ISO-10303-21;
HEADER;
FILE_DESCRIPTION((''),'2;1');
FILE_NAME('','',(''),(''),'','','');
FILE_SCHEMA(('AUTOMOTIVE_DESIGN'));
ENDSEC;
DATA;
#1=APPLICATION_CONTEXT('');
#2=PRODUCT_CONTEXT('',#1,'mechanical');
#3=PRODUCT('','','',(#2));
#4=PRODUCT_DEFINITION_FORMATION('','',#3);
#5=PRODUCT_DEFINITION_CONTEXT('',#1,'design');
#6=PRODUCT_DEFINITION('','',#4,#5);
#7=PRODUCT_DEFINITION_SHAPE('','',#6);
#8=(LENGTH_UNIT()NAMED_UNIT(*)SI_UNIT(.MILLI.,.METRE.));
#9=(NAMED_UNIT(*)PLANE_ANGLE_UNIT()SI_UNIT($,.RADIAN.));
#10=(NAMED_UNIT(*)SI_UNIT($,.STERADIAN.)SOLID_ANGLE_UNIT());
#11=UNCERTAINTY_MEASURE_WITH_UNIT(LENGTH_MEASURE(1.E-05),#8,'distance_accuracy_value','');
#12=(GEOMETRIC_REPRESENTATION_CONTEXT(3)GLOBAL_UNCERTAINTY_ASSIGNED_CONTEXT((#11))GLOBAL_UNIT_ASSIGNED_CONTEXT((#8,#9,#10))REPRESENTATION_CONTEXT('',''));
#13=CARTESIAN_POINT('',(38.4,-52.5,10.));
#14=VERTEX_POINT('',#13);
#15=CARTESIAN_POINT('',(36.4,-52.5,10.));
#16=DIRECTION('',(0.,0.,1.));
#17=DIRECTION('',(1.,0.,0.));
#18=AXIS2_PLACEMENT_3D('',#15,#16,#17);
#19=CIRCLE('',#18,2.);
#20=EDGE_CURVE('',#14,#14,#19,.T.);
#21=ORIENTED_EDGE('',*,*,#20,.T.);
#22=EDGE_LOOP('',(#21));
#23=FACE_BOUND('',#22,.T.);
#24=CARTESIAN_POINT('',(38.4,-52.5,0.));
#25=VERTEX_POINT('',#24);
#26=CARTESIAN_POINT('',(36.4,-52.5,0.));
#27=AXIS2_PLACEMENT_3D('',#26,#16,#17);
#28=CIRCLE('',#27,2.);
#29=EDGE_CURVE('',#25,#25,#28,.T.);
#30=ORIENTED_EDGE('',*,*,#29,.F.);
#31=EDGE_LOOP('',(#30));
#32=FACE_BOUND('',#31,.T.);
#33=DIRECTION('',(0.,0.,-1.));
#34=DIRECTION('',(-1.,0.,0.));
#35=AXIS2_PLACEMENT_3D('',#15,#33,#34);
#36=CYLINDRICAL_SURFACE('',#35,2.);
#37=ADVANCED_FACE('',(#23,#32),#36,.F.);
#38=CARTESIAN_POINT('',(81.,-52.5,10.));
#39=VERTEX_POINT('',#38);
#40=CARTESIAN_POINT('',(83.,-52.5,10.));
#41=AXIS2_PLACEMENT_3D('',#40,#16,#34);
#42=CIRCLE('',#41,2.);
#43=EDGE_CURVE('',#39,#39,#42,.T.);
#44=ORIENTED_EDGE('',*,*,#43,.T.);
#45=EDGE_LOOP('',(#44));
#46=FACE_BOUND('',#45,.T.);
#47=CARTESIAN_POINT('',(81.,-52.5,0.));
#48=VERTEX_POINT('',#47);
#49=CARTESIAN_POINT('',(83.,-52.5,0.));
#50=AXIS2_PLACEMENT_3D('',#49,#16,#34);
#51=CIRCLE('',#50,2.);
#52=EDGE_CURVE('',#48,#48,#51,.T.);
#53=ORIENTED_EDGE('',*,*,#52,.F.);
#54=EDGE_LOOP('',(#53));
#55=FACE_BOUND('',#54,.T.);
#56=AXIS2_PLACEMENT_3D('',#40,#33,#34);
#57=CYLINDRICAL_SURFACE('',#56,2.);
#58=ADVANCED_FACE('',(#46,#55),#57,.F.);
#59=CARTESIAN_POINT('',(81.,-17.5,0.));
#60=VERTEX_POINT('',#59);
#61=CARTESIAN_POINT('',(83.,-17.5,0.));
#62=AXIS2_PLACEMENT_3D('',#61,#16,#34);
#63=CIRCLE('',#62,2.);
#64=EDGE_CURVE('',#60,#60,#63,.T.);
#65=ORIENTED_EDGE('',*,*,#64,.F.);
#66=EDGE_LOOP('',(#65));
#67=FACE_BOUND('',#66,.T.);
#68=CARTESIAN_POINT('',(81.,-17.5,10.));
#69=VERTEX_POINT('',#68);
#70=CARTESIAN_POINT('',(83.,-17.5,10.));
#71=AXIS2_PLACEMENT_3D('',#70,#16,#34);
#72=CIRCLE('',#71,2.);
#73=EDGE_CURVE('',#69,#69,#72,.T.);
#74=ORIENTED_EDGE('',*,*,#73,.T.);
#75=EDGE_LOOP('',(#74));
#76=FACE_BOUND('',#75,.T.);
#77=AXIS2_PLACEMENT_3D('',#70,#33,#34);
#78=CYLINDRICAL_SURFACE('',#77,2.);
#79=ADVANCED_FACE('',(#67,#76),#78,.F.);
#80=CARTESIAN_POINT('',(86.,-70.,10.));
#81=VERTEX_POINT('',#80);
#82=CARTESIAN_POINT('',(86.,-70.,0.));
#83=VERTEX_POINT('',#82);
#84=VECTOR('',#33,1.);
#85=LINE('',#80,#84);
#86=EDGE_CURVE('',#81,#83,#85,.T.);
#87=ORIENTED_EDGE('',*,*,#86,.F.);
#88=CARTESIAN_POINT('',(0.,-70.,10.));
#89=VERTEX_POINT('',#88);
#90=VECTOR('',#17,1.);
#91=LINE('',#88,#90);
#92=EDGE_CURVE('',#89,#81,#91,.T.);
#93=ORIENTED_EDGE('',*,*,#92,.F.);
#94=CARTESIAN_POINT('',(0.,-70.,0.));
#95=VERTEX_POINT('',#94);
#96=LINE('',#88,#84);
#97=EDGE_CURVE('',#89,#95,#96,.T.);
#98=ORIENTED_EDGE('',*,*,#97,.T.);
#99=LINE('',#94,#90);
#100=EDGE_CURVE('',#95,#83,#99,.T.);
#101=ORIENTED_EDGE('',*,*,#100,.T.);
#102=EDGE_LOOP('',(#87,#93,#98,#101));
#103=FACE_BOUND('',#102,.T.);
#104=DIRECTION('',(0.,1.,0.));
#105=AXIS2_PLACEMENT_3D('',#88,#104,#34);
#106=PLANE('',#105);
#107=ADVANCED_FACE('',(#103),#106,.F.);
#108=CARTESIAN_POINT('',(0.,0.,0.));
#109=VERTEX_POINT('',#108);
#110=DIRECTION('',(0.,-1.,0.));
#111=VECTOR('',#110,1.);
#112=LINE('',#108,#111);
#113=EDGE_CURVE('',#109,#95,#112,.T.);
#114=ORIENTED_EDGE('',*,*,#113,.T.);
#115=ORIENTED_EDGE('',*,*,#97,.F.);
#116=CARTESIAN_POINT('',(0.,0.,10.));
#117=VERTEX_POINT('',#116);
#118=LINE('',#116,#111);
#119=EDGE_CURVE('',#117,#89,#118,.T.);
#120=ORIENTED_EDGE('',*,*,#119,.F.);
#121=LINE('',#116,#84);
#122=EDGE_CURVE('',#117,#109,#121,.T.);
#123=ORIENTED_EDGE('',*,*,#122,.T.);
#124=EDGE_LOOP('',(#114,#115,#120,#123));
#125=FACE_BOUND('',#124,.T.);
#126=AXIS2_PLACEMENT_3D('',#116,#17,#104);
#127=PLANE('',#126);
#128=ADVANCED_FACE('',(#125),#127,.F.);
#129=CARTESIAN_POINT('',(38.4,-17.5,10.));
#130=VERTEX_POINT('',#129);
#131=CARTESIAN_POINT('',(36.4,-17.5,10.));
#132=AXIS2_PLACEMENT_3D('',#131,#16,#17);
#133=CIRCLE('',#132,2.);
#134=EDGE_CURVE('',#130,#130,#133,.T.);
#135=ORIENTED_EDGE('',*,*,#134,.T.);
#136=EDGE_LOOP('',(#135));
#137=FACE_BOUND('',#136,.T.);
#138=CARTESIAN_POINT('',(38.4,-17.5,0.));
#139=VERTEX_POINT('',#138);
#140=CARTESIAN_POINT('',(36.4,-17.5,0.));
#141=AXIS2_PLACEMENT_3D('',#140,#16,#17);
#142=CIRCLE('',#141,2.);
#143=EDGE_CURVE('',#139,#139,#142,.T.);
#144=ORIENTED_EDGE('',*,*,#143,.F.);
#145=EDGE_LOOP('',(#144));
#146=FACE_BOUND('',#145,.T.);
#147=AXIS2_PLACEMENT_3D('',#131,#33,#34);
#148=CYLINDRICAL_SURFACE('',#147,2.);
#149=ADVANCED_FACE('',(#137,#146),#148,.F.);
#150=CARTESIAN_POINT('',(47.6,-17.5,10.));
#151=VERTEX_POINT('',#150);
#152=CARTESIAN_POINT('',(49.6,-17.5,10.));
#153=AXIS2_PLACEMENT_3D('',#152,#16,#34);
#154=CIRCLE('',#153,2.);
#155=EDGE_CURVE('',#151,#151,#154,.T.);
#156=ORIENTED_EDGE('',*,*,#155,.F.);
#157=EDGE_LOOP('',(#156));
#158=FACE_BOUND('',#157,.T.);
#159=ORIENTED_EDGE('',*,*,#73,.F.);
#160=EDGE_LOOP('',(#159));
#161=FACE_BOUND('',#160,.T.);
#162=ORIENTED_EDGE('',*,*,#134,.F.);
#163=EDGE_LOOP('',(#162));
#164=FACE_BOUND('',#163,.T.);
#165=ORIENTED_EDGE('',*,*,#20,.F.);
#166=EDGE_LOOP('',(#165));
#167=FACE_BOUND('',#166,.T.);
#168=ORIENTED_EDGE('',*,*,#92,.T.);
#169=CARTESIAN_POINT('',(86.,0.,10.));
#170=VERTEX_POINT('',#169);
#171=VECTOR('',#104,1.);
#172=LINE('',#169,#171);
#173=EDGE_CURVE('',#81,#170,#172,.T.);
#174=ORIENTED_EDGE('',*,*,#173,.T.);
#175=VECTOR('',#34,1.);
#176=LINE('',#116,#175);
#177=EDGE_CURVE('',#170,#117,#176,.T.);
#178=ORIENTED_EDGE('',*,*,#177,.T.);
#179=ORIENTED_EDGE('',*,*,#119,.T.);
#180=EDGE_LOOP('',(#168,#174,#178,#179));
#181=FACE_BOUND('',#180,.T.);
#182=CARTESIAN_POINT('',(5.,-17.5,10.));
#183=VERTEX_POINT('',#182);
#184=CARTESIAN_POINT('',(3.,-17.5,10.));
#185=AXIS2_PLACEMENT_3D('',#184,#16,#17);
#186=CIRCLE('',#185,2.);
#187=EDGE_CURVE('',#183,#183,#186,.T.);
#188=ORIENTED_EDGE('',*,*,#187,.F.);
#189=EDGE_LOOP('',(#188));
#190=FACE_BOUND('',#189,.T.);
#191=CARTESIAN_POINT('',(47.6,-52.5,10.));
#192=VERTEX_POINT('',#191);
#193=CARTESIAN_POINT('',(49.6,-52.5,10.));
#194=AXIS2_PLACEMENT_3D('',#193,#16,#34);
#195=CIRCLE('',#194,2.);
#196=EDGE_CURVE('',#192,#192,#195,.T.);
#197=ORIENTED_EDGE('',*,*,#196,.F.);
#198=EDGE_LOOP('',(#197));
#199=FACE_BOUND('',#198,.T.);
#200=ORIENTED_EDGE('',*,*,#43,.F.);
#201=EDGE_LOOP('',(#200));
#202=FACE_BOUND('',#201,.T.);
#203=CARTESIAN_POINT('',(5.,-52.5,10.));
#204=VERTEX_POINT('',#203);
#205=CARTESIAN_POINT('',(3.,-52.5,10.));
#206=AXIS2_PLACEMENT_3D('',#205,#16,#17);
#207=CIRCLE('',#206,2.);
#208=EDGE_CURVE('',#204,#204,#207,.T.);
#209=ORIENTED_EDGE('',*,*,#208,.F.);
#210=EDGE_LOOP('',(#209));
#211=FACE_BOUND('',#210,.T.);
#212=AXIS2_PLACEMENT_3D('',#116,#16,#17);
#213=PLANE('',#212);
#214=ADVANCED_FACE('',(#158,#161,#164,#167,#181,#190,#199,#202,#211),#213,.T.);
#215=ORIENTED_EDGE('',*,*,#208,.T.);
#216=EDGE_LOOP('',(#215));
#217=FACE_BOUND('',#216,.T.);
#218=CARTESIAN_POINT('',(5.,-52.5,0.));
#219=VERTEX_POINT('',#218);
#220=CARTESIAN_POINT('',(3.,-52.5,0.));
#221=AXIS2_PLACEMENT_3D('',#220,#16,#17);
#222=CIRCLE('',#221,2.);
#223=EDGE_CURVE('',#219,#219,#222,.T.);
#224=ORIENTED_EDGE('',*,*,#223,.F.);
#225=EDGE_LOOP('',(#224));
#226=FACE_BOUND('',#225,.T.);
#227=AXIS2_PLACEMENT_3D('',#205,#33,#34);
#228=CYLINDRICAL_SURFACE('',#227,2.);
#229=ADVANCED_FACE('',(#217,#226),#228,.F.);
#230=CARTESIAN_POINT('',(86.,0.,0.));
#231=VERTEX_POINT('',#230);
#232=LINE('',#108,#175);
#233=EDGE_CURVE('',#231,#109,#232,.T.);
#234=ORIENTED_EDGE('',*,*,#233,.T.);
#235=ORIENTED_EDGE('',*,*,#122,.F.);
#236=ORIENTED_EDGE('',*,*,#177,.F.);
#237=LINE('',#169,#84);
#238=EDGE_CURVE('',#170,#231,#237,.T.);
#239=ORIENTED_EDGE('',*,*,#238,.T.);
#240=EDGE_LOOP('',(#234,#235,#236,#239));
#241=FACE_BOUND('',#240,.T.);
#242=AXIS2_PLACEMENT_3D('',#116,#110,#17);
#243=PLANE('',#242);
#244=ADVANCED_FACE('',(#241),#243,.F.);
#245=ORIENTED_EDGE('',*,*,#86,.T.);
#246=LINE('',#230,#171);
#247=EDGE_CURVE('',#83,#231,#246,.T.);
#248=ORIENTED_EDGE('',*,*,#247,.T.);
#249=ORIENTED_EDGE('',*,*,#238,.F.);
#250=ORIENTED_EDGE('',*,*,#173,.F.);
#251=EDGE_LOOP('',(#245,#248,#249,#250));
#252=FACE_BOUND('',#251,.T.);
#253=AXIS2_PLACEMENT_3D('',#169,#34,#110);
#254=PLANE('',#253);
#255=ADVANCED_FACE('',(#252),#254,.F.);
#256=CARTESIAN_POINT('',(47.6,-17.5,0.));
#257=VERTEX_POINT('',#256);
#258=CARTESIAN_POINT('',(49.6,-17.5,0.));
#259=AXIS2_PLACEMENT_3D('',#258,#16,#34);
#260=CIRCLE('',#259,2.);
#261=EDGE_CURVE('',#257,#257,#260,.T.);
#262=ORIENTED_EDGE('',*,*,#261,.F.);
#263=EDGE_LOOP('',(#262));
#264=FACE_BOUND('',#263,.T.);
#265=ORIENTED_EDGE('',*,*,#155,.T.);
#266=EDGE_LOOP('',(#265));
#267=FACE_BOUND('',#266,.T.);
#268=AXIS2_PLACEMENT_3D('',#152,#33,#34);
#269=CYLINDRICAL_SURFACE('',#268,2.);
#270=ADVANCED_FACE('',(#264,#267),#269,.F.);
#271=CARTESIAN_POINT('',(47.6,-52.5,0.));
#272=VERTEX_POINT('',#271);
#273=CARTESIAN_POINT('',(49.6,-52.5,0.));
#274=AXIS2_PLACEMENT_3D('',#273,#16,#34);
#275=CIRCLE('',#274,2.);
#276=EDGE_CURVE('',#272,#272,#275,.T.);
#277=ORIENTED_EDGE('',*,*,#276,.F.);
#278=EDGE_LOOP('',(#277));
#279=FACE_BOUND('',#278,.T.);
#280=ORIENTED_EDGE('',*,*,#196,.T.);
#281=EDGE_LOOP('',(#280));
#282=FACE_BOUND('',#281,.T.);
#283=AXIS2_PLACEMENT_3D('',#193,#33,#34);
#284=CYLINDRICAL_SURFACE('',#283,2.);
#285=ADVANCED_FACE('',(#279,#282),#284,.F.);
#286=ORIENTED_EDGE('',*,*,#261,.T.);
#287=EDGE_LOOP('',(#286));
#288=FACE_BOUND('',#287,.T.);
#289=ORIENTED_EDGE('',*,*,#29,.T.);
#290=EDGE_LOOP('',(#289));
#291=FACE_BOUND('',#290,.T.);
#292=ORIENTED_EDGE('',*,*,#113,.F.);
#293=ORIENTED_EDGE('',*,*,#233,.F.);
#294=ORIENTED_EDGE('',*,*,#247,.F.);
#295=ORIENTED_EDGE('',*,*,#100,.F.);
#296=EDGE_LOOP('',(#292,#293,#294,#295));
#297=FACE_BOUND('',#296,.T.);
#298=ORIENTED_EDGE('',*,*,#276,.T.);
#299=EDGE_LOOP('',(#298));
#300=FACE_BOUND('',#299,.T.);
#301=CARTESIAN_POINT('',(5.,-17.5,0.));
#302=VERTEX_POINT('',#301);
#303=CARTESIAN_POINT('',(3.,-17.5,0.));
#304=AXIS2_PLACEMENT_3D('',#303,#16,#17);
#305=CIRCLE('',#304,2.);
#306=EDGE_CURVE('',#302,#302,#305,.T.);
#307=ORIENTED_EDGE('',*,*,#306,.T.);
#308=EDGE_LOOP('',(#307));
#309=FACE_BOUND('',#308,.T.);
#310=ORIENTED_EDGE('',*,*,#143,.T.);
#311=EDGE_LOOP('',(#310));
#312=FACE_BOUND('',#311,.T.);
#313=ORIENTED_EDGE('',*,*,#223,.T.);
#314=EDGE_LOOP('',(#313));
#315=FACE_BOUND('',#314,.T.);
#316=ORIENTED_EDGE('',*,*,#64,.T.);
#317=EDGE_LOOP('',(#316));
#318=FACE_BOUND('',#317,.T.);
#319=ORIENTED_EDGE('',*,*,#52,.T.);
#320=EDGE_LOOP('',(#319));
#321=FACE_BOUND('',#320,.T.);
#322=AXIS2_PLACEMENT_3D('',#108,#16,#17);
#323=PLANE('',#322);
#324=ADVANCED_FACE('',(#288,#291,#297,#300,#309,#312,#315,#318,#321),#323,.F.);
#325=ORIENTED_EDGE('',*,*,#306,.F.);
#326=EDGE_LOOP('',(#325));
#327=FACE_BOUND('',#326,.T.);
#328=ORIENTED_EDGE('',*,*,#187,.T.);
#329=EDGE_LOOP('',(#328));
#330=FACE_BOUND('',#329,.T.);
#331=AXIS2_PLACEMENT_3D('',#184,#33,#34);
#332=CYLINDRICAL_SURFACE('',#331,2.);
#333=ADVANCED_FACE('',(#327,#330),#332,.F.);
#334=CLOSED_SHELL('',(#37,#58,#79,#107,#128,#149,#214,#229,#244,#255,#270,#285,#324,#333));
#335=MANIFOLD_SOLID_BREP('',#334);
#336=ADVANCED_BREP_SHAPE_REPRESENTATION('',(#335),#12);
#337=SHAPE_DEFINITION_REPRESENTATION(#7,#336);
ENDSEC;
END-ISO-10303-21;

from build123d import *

# Parameters (mm, degrees)
ESQUISSE1_W        = 86
ESQUISSE1_H        = 70
ESQUISSE1_R        = 2
BOSS_EXTRU_1_DEPTH = 10


with BuildPart() as part:
    # Esquisse1 → Boss.-Extru.1 (new body)
    with BuildSketch(Plane.XY):
        with Locations((43, -35)):
            Rectangle(ESQUISSE1_W, ESQUISSE1_H)
        with Locations((3, -17.5)):
            Circle(ESQUISSE1_R, mode=Mode.SUBTRACT)
        with Locations((3, -52.5)):
            Circle(ESQUISSE1_R, mode=Mode.SUBTRACT)
        with Locations((36.4, -52.5)):
            Circle(ESQUISSE1_R, mode=Mode.SUBTRACT)
        with Locations((36.4, -17.5)):
            Circle(ESQUISSE1_R, mode=Mode.SUBTRACT)
        with Locations(Location((49.6, -52.5, 0), (0, 0, 180))):
            Circle(ESQUISSE1_R, mode=Mode.SUBTRACT)
        with Locations(Location((83, -52.5, 0), (0, 0, 180))):
            Circle(ESQUISSE1_R, mode=Mode.SUBTRACT)
        with Locations(Location((83, -17.5, 0), (0, 0, 180))):
            Circle(ESQUISSE1_R, mode=Mode.SUBTRACT)
        with Locations(Location((49.6, -17.5, 0), (0, 0, 180))):
            Circle(ESQUISSE1_R, mode=Mode.SUBTRACT)
    extrude(amount=BOSS_EXTRU_1_DEPTH)


solid = part.part
